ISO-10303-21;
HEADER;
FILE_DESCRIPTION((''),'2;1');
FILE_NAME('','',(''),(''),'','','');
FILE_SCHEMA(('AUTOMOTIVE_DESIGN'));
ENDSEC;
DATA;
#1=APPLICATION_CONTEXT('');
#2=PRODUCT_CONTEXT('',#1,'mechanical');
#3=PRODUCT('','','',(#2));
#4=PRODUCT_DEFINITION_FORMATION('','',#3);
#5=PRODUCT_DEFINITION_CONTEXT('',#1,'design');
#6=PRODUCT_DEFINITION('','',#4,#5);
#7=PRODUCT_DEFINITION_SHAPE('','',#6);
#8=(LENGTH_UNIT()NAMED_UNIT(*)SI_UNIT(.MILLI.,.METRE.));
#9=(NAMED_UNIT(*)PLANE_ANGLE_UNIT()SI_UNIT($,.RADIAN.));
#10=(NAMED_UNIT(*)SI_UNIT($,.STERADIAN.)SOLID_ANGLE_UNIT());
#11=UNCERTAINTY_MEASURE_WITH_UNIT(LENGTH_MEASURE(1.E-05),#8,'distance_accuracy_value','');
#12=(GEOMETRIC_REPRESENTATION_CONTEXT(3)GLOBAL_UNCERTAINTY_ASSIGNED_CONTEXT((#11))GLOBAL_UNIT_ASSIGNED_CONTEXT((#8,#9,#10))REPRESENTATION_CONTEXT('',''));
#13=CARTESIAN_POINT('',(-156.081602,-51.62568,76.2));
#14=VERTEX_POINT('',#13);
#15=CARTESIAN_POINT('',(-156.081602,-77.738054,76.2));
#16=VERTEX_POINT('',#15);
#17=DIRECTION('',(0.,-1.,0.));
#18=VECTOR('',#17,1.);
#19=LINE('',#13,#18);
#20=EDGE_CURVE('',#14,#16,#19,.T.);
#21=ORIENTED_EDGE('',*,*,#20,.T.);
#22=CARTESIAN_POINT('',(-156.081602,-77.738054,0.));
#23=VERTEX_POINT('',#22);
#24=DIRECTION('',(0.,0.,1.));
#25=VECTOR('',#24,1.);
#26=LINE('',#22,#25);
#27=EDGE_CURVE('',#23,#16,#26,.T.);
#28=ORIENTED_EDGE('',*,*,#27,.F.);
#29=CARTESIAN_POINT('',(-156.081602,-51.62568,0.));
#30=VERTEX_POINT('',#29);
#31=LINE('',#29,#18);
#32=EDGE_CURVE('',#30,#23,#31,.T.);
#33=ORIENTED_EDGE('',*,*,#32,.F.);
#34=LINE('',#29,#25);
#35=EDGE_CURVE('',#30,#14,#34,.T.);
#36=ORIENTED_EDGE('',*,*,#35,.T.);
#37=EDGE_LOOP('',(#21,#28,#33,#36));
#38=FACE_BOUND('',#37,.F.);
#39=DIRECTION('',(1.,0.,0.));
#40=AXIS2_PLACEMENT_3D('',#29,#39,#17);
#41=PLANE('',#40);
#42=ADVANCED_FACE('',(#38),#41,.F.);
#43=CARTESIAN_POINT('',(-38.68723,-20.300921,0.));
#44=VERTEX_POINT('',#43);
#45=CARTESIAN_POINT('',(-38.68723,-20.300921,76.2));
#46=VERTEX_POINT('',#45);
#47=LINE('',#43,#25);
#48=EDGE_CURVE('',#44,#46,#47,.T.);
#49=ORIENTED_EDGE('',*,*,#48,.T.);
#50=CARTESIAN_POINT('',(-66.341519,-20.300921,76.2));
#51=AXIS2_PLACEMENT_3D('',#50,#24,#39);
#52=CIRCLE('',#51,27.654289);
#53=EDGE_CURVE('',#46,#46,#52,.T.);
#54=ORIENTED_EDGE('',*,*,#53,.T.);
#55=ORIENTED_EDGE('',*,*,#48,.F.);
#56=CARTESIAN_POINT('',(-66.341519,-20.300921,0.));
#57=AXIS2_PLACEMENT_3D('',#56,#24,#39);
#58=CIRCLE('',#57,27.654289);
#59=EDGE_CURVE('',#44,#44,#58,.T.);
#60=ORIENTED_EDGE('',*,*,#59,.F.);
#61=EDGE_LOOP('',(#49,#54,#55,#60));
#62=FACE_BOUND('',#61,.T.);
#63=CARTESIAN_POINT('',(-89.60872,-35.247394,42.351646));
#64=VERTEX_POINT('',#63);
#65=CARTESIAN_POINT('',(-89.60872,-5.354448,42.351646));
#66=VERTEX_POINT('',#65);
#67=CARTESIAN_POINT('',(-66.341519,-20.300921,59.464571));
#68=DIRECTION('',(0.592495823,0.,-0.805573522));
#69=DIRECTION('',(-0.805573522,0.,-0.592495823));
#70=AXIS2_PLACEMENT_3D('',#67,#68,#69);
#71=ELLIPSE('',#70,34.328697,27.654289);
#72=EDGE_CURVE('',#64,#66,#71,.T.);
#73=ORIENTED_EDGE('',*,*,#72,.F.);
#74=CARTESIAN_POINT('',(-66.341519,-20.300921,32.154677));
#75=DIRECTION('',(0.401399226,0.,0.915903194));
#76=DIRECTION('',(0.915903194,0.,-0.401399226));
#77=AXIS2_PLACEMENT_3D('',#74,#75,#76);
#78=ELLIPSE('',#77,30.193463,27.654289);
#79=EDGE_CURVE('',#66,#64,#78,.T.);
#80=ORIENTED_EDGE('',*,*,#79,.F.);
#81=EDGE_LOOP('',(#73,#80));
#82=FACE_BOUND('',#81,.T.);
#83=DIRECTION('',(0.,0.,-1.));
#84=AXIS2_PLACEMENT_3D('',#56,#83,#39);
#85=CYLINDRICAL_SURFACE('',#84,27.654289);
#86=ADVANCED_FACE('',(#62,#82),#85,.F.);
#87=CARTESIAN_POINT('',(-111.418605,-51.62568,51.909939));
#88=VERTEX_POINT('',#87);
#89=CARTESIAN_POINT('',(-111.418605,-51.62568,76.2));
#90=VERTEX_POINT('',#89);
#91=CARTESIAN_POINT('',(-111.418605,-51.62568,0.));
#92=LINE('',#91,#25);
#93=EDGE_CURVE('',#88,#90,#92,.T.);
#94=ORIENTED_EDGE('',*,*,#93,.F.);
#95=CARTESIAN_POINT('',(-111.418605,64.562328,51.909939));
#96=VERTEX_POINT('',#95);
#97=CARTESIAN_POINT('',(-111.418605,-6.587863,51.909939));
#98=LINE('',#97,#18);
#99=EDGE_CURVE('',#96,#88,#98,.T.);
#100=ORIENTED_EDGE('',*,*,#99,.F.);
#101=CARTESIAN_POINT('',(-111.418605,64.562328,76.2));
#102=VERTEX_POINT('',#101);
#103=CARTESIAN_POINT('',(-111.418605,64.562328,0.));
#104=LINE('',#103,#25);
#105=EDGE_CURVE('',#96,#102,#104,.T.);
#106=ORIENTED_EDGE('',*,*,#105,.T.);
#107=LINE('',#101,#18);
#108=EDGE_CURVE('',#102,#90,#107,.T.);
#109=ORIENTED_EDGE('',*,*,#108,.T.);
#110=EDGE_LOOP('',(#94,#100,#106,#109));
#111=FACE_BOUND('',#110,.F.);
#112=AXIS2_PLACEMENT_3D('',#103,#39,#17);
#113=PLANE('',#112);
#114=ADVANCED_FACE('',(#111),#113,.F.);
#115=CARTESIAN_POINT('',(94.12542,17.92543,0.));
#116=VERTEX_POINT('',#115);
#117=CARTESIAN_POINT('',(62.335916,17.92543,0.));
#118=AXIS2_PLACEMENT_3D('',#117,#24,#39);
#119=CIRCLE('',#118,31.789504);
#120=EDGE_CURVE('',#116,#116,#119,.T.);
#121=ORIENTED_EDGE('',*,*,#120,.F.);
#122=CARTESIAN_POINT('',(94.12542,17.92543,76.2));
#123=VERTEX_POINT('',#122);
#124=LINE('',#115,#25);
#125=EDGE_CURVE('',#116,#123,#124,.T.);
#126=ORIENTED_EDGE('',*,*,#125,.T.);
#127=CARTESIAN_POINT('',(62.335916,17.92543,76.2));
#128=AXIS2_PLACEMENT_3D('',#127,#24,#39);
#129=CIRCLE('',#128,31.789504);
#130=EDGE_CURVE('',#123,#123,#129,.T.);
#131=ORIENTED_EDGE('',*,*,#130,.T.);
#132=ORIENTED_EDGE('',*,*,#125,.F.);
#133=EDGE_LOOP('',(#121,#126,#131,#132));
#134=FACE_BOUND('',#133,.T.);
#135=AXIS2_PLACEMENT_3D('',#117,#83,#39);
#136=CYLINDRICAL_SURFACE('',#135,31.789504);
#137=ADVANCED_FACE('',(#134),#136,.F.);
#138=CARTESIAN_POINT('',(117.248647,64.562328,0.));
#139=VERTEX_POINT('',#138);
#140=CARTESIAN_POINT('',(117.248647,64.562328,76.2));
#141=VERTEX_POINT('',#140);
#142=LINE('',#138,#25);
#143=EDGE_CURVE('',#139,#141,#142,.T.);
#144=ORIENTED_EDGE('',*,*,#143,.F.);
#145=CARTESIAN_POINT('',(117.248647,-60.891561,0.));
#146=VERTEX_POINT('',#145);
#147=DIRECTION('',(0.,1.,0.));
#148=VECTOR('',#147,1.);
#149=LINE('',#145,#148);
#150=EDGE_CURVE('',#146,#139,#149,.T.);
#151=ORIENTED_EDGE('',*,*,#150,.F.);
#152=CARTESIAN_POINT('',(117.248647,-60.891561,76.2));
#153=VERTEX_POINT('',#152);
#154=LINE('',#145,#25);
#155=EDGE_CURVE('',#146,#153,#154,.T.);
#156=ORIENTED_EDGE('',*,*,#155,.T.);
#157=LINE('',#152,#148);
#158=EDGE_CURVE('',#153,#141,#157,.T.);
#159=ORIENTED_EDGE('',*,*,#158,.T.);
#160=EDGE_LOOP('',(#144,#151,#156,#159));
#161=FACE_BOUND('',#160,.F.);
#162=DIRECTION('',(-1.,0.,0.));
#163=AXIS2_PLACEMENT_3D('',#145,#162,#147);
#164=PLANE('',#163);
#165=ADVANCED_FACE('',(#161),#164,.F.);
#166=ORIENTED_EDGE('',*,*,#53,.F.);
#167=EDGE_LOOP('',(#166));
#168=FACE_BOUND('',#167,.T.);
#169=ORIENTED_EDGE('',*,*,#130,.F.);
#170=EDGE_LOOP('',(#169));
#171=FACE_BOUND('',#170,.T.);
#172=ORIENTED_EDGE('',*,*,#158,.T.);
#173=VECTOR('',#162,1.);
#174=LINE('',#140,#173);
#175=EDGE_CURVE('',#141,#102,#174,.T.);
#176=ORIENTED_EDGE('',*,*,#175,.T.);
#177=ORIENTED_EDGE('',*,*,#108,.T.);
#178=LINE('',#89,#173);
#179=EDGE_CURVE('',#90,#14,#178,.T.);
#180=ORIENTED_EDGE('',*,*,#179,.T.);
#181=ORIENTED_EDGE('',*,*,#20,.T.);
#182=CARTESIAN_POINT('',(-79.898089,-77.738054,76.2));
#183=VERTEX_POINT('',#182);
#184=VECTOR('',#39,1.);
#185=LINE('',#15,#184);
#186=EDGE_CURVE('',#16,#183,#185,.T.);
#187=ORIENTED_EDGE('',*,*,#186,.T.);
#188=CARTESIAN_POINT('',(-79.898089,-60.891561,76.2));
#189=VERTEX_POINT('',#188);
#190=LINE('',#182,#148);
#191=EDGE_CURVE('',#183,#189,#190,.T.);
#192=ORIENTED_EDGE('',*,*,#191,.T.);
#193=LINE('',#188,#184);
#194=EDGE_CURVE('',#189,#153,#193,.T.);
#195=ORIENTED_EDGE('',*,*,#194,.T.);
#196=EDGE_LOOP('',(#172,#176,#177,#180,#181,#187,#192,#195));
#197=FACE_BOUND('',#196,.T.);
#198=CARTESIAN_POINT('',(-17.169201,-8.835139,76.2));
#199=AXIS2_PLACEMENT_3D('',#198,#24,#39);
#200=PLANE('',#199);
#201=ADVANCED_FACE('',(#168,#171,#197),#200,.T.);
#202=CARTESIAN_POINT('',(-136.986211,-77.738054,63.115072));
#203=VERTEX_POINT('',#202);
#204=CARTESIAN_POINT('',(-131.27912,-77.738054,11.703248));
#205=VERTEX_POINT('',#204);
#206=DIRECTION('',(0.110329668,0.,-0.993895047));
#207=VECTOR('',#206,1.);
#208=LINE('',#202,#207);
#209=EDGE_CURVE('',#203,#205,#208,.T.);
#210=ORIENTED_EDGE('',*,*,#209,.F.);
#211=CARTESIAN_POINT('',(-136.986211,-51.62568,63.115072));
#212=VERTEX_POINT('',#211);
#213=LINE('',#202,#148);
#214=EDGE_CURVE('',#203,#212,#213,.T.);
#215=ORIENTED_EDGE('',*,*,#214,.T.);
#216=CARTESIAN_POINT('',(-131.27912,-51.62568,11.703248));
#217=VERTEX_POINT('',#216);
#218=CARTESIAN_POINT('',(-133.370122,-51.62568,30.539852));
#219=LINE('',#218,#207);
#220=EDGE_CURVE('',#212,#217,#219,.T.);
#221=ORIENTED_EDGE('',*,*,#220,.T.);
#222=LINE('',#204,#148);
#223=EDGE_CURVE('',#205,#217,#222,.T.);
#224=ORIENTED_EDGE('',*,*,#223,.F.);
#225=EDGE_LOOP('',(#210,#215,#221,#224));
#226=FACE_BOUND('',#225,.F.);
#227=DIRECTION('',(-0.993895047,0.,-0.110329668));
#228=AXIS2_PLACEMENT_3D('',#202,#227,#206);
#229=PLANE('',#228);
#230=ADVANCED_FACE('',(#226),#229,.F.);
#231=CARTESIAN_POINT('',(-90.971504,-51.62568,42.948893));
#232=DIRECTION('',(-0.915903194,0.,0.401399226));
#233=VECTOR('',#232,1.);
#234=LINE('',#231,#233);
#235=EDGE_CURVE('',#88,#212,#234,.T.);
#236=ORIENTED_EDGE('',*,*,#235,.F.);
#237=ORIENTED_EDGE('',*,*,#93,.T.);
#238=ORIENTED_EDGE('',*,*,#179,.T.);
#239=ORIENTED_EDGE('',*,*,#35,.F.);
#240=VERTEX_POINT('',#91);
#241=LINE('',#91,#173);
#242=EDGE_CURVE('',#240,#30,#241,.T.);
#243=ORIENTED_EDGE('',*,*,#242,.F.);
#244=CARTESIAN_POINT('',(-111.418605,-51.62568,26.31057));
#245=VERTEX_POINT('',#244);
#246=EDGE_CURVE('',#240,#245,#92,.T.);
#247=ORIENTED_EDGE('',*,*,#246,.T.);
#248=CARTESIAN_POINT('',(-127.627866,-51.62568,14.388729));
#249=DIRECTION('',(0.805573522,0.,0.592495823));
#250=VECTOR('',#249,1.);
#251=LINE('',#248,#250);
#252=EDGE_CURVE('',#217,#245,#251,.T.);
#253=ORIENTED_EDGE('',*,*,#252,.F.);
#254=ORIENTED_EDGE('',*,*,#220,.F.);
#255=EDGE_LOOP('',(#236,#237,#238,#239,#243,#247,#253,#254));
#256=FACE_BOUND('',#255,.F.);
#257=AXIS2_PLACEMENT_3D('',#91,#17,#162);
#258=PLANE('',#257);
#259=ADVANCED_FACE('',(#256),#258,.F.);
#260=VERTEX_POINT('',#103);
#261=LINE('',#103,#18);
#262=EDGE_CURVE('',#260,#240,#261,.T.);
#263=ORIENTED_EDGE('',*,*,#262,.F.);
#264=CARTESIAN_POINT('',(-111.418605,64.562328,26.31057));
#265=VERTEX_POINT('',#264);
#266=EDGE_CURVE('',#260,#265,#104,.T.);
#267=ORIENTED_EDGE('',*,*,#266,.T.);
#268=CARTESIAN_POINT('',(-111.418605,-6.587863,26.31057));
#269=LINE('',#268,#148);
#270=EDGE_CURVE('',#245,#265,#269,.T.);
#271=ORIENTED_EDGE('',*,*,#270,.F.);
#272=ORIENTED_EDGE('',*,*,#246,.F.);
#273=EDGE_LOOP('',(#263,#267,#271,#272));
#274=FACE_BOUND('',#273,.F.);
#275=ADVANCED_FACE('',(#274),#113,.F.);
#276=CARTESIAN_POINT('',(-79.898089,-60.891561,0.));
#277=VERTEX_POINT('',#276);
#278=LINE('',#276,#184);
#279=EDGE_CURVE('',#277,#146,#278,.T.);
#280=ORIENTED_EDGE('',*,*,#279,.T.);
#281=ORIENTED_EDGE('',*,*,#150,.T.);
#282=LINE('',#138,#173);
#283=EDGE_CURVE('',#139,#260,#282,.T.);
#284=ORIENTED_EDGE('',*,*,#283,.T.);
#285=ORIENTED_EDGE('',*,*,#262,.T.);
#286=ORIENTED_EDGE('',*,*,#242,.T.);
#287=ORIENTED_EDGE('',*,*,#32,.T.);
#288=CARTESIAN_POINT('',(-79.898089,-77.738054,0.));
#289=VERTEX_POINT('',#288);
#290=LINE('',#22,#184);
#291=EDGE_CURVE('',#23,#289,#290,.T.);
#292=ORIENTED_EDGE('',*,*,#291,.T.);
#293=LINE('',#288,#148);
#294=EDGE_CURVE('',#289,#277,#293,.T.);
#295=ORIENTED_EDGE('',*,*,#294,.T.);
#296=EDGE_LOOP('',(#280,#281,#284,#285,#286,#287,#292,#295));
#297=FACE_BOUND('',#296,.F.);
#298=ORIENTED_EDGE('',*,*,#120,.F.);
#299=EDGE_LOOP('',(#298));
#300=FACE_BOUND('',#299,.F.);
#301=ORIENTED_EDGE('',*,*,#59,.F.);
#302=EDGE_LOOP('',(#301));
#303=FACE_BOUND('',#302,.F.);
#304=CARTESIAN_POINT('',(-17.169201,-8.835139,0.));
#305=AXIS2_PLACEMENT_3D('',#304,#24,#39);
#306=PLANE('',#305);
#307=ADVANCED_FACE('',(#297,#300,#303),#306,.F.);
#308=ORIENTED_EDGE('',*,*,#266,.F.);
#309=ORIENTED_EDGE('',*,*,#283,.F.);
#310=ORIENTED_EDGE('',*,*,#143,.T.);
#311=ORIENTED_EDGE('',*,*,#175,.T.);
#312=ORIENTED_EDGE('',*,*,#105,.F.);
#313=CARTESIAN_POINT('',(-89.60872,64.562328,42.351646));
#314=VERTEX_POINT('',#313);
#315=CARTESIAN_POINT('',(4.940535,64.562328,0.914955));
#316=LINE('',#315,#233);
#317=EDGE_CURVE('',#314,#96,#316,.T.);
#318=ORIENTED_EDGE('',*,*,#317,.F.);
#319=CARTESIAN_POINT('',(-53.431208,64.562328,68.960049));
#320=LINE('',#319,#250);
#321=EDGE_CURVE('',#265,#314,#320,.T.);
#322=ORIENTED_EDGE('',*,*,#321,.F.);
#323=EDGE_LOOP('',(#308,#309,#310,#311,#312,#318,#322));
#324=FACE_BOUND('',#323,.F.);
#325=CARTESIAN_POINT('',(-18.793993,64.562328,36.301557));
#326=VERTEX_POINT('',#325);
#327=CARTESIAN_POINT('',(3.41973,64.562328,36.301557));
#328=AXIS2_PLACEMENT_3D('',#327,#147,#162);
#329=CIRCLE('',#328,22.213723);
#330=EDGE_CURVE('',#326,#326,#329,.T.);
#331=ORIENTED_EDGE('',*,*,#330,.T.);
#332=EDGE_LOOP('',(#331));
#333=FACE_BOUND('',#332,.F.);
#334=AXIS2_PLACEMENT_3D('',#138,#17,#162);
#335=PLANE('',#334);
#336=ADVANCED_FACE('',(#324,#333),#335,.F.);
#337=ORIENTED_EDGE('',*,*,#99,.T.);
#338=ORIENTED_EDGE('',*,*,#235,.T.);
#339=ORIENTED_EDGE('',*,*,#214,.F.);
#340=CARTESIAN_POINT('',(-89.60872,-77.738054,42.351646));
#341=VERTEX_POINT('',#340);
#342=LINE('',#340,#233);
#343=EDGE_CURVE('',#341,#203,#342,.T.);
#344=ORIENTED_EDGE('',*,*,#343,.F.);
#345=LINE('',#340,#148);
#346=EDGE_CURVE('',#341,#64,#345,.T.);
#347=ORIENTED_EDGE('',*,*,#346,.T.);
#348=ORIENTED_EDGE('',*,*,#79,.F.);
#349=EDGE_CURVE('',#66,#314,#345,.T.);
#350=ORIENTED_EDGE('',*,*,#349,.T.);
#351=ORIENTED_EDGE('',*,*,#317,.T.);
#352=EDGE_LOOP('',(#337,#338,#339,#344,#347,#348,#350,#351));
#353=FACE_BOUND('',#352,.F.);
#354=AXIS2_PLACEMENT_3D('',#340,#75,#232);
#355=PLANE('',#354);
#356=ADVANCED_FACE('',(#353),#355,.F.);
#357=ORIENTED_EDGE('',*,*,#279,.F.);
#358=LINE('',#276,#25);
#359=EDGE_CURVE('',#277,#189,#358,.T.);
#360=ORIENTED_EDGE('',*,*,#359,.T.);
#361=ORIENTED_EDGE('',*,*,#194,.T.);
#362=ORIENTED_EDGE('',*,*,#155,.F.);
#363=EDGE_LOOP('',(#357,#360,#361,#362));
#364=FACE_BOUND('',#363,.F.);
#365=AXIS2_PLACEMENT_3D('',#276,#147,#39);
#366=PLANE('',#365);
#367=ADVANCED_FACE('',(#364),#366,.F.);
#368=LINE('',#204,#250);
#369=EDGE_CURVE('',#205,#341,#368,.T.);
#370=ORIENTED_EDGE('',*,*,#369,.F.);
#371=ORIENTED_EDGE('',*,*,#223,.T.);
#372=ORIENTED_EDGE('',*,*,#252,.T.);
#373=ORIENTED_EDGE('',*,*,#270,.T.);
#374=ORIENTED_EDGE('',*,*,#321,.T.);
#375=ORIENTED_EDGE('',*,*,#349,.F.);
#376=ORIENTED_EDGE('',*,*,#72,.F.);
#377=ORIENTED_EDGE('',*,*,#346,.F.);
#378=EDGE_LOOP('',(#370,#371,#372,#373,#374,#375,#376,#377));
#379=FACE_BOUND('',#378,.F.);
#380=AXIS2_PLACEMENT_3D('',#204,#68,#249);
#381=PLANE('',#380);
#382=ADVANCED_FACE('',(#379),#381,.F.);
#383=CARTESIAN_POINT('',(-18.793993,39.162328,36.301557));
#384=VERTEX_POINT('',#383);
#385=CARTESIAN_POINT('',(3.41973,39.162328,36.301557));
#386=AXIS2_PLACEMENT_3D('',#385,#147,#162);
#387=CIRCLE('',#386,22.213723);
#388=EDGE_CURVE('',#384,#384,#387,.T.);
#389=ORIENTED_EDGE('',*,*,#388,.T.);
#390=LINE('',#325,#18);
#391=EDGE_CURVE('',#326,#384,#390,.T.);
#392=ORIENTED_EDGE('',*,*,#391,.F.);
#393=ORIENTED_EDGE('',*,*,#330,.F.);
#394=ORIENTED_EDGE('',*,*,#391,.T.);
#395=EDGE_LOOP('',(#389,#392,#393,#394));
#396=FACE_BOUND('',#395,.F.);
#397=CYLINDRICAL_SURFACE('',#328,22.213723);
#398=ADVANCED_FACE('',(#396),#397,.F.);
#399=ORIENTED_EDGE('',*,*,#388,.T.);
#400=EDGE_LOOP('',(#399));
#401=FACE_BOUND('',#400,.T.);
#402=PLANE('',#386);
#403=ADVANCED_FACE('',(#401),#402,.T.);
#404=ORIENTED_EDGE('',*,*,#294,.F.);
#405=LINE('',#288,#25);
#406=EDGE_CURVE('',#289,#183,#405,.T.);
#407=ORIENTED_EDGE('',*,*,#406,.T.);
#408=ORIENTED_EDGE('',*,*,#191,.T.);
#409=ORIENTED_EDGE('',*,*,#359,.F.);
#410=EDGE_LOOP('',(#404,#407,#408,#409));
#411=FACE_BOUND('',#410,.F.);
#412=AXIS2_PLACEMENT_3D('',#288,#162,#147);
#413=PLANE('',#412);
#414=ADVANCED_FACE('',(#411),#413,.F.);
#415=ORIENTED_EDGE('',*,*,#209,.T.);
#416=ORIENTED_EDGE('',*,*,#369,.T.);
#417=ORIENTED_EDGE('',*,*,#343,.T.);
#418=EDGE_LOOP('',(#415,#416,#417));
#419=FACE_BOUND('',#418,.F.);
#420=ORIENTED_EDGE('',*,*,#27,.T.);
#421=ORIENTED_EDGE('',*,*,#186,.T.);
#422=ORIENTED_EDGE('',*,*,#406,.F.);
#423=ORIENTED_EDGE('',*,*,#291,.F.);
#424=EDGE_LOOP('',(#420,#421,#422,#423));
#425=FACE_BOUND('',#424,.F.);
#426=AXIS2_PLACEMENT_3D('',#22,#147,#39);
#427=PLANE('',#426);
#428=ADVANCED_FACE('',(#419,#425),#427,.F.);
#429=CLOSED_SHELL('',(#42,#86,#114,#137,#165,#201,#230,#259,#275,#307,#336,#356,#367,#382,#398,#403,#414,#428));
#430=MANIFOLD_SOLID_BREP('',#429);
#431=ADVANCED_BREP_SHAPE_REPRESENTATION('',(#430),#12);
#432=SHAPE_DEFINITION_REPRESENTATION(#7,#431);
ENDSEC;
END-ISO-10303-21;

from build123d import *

# Parameters (mm, degrees)
F0_R     = 27.654289
F0_R_2   = 31.789504
F1_DEPTH = 76.2
F3_R     = 22.213723
F4_DEPTH = 25.4
F5_DEPTH = 157.734


with BuildPart() as f1:
    # F0 (on Top) → F1 (new body)
    with BuildSketch(Plane.XY):
        Polygon((117.248647, 64.562328), (-111.418605, 64.562328), (-111.418605, -51.62568), (-156.081602, -51.62568), (-156.081602, -77.738054), (-79.898089, -77.738054), (-79.898089, -60.891561), (117.248647, -60.891561), align=None)
        with Locations((-66.341519, -20.300921)):
            Circle(F0_R, mode=Mode.SUBTRACT)
        with Locations((62.335916, 17.92543)):
            Circle(F0_R_2, mode=Mode.SUBTRACT)
    extrude(amount=F1_DEPTH)

    # F3 (on face) → F4 (cut)
    with BuildSketch(Plane(origin=(0, 64.562328, 0), x_dir=(-1, 0, 0), z_dir=(0, 1, 0))):
        with Locations((-3.41973, 36.301557)):
            Circle(F3_R)
    extrude(amount=-F4_DEPTH, mode=Mode.SUBTRACT)

    # F2 (on face) → F5 (cut)
    with BuildSketch(Plane.XZ.offset(77.738054)):
        Polygon((-131.27912, 11.703248), (-89.60872, 42.351646), (-136.986211, 63.115072), align=None)
    extrude(amount=-F5_DEPTH, mode=Mode.SUBTRACT)


solid = f1.part
